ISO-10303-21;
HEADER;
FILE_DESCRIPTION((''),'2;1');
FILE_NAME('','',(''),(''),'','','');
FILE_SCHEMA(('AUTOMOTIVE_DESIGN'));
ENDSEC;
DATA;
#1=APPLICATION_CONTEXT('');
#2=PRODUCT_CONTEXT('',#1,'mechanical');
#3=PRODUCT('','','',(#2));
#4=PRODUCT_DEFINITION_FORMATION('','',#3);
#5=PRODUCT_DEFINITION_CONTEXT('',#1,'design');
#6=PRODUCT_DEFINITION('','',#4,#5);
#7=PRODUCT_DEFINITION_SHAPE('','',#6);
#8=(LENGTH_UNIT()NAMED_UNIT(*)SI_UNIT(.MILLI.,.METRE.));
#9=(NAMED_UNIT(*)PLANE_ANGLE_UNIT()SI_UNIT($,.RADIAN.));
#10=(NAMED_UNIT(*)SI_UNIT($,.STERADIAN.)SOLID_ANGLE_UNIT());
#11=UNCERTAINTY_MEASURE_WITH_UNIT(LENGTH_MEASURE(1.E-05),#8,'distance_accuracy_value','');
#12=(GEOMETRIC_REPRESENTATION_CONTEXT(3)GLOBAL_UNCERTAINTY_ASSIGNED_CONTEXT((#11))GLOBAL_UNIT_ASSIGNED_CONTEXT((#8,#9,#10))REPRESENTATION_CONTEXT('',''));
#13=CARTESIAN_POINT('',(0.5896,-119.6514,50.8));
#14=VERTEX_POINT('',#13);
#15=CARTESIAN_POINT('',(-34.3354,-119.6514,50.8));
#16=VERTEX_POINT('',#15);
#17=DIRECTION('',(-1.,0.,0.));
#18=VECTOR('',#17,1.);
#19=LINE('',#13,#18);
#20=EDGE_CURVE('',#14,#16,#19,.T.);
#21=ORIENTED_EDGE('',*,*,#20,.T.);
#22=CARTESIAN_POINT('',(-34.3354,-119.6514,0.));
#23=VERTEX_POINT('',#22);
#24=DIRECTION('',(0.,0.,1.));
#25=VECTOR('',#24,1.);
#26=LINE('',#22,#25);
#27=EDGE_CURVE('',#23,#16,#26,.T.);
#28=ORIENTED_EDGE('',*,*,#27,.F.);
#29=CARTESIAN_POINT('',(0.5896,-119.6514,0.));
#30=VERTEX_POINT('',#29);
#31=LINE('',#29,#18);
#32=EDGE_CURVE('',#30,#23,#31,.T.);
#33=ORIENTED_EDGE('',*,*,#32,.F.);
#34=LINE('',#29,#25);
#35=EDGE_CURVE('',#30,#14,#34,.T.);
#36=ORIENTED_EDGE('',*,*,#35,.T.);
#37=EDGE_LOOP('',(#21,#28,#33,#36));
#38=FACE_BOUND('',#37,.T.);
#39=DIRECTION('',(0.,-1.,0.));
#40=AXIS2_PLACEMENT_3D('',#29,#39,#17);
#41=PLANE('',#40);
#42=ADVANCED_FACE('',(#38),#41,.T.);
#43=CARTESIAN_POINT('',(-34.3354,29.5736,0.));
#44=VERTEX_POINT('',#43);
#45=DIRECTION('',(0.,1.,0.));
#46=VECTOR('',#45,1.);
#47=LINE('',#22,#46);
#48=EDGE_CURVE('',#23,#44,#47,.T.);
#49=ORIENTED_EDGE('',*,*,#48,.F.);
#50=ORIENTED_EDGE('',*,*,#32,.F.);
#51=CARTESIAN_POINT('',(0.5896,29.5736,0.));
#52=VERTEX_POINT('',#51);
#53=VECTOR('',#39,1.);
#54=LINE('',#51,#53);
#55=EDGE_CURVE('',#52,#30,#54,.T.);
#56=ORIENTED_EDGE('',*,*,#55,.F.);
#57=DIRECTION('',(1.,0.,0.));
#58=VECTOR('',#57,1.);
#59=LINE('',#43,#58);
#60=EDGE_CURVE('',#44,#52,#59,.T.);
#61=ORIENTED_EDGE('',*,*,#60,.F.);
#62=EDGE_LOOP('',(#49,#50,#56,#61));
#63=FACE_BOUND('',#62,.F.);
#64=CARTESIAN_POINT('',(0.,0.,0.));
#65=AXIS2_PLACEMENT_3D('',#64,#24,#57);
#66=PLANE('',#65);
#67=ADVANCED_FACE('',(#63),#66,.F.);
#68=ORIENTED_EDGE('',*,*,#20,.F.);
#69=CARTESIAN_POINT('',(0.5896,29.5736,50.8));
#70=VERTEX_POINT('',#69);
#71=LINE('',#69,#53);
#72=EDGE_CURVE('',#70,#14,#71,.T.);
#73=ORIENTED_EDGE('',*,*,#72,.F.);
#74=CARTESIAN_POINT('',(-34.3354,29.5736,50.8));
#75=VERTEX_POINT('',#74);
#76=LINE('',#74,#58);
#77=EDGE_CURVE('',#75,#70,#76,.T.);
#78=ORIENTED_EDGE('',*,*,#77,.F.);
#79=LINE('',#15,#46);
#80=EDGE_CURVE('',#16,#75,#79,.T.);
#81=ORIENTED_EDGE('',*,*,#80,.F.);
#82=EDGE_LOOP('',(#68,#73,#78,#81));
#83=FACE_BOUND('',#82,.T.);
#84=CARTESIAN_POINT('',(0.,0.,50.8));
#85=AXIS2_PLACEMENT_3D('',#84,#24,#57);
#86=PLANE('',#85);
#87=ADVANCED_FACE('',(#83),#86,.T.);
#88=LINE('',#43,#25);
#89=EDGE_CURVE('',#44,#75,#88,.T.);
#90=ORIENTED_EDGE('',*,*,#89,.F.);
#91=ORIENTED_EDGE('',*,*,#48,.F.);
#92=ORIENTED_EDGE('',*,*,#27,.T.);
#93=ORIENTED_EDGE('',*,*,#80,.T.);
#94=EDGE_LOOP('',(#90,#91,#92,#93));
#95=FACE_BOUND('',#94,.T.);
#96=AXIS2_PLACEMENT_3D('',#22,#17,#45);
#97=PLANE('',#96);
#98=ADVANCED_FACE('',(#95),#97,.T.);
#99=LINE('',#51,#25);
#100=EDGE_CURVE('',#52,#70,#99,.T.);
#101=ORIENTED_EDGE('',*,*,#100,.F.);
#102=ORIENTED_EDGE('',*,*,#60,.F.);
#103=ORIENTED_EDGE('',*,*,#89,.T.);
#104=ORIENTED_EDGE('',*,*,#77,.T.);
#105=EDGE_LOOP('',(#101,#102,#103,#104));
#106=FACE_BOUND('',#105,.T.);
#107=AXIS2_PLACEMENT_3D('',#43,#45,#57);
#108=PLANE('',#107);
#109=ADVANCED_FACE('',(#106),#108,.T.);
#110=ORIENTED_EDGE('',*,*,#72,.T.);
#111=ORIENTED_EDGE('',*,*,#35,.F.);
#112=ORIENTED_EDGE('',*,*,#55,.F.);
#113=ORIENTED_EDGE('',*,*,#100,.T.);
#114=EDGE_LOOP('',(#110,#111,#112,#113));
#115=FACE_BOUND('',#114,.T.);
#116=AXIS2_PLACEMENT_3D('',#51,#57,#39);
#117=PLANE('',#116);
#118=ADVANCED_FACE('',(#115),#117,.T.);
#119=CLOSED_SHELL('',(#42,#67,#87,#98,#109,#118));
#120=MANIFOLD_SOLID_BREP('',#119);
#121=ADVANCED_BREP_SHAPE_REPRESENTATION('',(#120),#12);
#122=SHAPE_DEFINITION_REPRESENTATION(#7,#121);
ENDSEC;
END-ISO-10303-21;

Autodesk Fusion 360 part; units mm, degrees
sketch "Sketch1" plane through (0, 0, 0) normal (0, 0, 1) x (1, 0, 0)
  line L0 (-34.3354, 29.5736) -> (0.5896, 29.5736)
  line L1 (0.5896, 29.5736) -> (0.5896, -119.6514)
  line L2 (0.5896, -119.6514) -> (-34.3354, -119.6514)
  line L3 (-34.3354, -119.6514) -> (-34.3354, 29.5736)
  dimension "d1" = 34.925
  dimension "d2" = 149.225
extrude "Extrude1" add sketch "Sketch1" along normal blind 50.8
